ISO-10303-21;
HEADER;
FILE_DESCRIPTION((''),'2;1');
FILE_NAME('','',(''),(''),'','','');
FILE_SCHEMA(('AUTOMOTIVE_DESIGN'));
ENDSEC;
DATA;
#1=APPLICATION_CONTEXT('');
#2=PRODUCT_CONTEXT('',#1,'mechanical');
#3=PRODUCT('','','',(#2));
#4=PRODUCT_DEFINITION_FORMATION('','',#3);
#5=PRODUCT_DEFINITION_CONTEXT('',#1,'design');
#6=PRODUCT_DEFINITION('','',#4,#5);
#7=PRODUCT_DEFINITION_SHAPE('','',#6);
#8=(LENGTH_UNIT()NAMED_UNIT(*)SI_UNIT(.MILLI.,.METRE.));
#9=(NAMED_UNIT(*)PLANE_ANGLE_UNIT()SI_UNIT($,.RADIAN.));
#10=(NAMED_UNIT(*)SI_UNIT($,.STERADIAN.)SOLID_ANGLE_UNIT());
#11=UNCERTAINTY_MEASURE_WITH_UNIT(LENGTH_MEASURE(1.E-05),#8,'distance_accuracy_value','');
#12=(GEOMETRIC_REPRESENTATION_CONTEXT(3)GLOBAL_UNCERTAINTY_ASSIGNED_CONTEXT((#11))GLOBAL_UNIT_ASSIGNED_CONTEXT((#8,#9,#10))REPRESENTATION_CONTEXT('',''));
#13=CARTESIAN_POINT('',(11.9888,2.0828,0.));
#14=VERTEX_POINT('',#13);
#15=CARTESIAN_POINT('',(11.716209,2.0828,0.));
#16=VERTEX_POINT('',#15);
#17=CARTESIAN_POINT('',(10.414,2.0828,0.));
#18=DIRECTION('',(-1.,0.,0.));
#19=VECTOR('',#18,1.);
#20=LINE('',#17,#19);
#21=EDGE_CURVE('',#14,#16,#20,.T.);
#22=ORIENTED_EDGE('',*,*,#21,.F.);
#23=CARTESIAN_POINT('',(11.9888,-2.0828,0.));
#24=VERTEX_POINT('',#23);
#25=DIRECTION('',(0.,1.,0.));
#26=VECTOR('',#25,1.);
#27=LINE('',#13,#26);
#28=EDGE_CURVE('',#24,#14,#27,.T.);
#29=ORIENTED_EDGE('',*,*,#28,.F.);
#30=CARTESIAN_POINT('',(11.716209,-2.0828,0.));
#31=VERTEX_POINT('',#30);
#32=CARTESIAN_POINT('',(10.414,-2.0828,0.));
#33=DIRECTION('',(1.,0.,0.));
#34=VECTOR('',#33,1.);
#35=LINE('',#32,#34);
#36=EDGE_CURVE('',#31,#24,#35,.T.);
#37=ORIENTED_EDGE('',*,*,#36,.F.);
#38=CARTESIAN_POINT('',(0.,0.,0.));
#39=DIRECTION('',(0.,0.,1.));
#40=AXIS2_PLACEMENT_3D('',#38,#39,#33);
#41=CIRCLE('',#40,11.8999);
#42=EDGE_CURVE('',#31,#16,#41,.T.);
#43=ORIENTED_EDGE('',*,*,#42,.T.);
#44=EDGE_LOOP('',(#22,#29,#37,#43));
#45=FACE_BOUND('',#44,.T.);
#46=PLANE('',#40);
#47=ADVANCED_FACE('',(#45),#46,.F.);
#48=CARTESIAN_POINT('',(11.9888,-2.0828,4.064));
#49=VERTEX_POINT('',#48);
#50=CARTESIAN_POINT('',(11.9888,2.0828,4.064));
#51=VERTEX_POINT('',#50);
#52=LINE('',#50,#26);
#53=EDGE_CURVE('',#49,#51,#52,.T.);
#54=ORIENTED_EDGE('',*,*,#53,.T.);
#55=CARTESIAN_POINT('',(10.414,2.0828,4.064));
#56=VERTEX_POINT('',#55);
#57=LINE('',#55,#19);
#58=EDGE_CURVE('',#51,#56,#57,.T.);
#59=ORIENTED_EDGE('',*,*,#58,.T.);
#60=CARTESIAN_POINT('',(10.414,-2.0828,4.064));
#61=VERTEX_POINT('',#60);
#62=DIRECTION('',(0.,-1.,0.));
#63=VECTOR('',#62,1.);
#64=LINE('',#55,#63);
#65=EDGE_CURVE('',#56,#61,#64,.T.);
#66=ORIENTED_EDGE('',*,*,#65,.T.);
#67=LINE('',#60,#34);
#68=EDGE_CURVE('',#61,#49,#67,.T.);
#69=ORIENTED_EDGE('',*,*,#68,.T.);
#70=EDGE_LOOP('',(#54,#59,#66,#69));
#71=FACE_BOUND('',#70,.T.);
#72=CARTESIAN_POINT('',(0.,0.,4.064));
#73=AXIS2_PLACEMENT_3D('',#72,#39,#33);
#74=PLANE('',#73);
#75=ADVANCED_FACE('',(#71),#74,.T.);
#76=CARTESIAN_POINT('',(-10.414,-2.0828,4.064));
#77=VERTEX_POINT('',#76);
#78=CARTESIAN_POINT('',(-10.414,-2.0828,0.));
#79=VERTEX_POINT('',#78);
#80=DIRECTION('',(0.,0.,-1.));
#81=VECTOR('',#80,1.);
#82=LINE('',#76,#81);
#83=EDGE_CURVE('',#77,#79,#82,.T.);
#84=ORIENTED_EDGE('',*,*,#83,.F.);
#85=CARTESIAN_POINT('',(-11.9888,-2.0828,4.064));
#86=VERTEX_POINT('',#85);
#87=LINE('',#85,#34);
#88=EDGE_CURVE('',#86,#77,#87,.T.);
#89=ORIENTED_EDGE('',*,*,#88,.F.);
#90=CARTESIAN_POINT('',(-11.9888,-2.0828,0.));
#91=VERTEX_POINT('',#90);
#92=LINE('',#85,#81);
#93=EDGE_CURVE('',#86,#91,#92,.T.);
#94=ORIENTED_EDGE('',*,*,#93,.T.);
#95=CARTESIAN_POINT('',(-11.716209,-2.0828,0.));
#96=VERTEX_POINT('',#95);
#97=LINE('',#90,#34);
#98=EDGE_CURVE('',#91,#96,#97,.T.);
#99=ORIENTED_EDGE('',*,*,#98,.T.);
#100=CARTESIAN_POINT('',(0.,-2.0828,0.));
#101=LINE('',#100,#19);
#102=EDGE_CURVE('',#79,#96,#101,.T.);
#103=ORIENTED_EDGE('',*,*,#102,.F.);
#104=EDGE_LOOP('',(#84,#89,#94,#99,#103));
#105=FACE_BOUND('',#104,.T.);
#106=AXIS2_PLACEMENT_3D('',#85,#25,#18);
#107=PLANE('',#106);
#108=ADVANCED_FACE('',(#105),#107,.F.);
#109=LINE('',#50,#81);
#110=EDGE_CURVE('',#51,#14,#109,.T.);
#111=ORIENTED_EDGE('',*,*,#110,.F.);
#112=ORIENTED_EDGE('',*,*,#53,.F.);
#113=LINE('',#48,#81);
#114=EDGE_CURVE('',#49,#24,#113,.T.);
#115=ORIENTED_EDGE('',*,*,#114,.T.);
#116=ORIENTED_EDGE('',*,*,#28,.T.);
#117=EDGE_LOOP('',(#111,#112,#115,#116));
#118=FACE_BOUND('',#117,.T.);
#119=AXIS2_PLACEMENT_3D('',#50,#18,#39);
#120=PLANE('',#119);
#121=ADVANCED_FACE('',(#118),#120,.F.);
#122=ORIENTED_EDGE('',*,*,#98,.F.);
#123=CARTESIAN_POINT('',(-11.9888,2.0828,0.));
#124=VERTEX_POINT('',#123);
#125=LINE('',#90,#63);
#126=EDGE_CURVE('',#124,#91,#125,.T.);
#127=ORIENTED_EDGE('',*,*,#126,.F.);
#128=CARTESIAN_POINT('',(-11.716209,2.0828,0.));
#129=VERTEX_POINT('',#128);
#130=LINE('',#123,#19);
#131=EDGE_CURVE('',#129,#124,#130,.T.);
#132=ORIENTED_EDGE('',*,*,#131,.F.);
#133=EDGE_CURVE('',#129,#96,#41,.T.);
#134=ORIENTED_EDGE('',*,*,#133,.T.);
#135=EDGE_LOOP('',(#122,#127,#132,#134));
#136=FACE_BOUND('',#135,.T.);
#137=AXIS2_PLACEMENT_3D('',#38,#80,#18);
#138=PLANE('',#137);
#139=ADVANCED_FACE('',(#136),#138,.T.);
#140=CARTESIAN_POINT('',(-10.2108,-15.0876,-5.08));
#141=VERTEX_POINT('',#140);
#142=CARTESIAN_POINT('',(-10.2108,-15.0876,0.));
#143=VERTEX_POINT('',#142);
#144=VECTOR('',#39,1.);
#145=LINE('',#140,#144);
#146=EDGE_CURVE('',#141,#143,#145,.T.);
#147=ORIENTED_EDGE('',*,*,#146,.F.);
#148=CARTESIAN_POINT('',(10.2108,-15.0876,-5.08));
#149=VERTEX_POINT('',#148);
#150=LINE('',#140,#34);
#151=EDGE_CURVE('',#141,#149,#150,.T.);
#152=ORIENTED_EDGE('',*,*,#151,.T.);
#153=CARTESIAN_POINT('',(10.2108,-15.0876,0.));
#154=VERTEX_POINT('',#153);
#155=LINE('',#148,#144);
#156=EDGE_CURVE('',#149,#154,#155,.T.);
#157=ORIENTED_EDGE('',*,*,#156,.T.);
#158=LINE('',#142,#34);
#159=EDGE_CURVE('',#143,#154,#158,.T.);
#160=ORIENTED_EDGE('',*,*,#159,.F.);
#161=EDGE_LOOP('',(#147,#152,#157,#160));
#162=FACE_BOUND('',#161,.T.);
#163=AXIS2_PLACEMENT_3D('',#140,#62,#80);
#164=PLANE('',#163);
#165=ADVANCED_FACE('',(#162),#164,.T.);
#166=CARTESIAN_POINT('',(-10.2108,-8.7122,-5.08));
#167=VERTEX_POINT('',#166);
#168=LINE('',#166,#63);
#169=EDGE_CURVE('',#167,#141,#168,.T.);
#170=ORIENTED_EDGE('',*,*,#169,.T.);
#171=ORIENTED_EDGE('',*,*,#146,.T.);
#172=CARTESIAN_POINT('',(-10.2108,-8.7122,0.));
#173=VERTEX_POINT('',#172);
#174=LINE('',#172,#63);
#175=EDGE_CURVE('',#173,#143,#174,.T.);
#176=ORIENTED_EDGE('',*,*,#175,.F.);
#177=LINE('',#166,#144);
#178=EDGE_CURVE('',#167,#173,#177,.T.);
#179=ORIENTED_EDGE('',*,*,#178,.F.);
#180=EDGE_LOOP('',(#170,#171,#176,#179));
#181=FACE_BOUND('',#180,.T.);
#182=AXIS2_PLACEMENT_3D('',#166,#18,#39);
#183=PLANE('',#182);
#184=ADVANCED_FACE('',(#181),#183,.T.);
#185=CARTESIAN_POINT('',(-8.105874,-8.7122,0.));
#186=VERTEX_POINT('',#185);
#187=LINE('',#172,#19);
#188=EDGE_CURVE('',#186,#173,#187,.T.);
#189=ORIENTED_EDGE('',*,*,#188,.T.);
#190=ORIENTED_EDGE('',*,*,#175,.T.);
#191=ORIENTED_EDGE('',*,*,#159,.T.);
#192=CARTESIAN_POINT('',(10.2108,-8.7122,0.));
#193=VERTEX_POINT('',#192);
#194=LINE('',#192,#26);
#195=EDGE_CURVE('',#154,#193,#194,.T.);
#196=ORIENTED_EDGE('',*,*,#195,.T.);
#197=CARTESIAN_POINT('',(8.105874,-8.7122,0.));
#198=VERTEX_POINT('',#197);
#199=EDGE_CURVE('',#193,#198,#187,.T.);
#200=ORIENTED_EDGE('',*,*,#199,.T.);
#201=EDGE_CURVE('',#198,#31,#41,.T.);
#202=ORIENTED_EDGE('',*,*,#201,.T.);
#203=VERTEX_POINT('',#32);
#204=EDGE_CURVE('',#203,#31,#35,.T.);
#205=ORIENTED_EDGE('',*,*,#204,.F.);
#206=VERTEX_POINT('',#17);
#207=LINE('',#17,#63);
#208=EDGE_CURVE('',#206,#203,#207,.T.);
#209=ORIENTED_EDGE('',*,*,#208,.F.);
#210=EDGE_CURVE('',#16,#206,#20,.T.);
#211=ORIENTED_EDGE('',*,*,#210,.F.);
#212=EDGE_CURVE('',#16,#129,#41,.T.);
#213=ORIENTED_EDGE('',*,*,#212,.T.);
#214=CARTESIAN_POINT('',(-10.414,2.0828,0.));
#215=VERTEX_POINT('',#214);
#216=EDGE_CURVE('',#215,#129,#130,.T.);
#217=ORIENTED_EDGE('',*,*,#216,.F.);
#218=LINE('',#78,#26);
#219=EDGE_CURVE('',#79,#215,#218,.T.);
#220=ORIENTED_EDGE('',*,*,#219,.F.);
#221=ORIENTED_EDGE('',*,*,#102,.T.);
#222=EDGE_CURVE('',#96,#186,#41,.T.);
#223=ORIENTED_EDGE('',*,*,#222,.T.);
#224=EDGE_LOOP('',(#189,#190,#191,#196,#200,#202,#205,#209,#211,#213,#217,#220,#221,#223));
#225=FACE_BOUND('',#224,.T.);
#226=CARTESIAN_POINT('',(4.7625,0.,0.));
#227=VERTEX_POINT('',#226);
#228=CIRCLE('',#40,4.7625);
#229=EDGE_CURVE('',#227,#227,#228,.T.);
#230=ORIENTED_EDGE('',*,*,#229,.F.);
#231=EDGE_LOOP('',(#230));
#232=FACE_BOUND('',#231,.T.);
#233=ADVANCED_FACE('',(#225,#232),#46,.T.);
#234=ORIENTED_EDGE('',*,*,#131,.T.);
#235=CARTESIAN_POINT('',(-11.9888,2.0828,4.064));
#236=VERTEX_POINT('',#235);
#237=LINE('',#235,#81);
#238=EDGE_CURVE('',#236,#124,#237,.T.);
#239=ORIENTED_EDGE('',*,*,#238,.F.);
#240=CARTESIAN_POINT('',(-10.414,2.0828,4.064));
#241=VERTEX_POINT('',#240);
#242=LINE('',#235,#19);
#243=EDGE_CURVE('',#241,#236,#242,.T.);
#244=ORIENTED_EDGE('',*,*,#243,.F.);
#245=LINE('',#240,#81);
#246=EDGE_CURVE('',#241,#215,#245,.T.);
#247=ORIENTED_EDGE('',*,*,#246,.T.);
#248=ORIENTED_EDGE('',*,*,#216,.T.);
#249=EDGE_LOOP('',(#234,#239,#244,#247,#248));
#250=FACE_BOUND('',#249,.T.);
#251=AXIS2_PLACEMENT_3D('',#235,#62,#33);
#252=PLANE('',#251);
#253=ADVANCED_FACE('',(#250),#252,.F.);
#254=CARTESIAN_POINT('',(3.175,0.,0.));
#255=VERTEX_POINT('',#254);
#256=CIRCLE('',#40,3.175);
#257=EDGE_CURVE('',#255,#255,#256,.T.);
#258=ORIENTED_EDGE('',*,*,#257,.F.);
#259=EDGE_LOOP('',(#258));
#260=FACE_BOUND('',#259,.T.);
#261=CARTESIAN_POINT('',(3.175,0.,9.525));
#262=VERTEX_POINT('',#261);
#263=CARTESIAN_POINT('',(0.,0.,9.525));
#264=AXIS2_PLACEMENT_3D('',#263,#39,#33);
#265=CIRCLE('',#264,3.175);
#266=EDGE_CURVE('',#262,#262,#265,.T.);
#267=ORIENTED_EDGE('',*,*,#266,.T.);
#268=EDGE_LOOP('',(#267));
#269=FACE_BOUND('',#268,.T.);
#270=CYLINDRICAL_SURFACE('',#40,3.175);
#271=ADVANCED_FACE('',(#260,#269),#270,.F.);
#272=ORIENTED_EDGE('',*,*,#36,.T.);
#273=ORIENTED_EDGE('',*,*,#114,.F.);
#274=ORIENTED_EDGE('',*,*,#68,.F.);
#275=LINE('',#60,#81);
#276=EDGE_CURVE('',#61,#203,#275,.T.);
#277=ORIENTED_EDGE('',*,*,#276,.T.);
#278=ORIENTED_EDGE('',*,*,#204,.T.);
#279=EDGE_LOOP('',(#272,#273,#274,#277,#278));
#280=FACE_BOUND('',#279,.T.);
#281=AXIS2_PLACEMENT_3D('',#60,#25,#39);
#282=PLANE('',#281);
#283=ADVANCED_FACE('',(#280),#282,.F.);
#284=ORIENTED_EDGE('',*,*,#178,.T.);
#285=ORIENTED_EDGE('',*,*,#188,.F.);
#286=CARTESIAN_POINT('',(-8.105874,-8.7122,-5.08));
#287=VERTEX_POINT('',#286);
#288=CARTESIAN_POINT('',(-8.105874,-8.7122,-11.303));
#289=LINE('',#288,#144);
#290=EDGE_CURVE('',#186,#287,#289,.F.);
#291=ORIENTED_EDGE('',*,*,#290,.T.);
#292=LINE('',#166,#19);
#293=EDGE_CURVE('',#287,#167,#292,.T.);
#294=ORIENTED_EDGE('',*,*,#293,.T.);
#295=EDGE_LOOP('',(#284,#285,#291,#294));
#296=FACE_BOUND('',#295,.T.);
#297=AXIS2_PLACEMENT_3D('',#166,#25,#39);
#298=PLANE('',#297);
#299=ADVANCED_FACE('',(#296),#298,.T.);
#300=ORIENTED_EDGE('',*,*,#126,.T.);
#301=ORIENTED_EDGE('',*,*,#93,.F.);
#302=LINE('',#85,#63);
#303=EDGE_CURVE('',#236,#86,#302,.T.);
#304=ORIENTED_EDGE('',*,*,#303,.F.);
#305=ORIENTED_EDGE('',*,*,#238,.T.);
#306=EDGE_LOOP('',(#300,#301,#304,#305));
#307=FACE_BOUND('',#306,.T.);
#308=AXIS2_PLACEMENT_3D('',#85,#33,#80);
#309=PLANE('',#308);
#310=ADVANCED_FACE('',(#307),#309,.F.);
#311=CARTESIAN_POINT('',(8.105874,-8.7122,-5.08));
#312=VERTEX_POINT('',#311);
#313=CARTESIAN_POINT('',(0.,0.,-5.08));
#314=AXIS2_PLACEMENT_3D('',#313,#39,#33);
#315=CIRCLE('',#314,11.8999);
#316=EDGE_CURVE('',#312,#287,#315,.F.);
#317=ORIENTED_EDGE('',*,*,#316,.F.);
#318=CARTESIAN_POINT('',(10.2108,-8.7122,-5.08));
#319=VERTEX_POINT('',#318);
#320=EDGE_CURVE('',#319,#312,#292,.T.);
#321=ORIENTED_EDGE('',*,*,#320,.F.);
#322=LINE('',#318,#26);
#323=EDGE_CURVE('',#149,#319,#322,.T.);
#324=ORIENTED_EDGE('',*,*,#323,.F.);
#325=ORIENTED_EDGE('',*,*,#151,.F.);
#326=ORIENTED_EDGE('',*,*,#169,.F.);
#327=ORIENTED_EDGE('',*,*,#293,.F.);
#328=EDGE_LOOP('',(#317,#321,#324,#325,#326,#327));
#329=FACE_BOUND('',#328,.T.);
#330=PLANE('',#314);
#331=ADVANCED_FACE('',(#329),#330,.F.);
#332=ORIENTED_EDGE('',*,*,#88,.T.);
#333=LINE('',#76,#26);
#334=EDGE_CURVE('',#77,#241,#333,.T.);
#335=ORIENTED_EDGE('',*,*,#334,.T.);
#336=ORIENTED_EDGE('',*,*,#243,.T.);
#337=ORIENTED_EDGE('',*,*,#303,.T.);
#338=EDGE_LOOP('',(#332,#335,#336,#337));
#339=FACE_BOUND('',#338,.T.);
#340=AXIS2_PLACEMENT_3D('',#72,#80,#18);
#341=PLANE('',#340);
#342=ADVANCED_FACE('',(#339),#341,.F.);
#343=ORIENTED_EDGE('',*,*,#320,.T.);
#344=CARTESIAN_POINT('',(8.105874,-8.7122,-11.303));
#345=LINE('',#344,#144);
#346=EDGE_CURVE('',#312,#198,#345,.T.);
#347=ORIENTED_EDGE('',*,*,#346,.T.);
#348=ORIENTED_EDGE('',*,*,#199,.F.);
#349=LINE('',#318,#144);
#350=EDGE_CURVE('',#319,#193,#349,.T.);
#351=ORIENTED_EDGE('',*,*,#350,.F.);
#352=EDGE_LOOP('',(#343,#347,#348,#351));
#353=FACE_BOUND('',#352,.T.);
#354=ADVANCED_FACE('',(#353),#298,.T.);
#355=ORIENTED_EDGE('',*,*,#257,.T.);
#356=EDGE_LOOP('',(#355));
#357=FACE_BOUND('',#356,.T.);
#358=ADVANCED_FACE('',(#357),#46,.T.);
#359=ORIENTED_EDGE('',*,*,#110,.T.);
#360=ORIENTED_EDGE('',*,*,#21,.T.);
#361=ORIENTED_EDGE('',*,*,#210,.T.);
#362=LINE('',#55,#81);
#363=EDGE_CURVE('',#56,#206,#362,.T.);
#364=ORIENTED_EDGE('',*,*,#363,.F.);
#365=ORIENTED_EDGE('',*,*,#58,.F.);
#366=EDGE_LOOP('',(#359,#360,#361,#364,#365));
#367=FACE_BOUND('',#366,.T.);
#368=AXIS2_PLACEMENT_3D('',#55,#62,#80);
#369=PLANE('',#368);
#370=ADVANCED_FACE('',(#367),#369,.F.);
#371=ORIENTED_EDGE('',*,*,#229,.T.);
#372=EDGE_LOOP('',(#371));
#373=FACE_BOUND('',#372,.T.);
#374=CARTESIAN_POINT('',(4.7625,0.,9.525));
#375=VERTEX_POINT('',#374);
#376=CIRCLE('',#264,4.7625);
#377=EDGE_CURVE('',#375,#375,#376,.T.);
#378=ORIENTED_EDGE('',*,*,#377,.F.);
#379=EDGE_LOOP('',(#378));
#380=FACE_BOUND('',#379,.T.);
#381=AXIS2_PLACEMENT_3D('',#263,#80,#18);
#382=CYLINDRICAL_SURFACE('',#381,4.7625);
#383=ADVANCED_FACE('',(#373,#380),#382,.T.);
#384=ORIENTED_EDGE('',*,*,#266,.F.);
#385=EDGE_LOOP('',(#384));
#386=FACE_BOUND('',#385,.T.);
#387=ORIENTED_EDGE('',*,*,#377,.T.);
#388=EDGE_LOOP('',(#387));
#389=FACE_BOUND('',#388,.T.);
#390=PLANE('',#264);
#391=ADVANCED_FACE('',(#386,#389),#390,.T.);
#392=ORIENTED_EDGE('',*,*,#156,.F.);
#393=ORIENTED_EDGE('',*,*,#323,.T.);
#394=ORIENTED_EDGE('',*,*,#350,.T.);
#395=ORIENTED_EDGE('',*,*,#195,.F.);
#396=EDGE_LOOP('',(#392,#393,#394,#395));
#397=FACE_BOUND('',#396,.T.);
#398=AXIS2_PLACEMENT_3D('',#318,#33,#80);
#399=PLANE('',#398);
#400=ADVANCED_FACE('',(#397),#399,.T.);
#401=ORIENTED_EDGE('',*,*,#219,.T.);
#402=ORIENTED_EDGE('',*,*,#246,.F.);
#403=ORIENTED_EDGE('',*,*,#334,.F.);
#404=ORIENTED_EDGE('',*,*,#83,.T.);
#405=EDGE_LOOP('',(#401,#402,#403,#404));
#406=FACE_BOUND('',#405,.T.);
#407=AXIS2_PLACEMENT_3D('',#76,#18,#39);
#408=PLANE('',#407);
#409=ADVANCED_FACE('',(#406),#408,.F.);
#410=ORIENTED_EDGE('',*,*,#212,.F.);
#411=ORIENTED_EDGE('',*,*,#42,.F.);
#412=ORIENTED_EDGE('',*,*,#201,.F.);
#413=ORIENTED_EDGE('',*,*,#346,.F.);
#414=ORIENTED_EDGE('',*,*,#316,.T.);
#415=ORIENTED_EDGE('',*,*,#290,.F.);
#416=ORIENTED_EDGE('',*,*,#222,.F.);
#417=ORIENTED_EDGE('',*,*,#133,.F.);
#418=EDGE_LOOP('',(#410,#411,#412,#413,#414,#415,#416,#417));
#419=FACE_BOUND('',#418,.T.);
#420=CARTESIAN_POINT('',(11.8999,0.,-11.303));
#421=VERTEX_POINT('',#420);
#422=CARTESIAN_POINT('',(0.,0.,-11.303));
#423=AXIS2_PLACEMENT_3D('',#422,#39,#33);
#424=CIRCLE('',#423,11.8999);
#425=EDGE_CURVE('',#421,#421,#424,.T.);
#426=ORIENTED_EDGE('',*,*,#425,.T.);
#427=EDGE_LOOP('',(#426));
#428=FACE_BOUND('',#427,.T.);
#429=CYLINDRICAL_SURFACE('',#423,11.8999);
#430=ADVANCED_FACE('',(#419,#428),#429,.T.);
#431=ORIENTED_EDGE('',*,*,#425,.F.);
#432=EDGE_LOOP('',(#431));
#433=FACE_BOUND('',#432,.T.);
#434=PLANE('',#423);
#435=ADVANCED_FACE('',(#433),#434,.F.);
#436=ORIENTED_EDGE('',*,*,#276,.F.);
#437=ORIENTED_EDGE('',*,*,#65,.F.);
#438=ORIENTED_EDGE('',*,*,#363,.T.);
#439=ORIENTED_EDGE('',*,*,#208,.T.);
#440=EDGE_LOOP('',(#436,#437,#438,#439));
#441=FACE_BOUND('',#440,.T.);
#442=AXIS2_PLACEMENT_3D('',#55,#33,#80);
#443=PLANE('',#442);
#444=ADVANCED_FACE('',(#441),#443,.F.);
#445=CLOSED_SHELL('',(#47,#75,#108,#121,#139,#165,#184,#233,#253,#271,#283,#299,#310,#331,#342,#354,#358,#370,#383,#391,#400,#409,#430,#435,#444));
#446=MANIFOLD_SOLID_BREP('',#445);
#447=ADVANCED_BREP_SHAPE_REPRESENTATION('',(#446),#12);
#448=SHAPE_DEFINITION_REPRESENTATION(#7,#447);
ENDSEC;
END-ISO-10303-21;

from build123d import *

# Parameters (mm, degrees)
SKETCH1_R          = 11.8999
BODY_DEPTH         = 11.303
SKETCH2_R          = 4.7625
BUSHING_DEPTH      = 9.525
SKETCH3_W          = 1.5748
SKETCH3_H          = 4.1656
MOUNT_TAB_DEPTH    = 4.064
SKETCH4_R          = 3.175
CUT_EXTRUDE1_DEPTH = 9.525
SKETCH5_W          = 20.4216
SKETCH5_H          = 6.3754
BOARD_DEPTH        = 5.08


with BuildPart() as part:
    # Sketch1 → Body (new body)
    with BuildSketch(Plane.XY):
        Circle(SKETCH1_R)
    extrude(amount=-BODY_DEPTH)

    # Sketch2 → bushing (add)
    with BuildSketch(Plane.XY):
        Circle(SKETCH2_R)
    extrude(amount=BUSHING_DEPTH)

    # Sketch3 → mount tab (add)
    with BuildSketch(Plane.XY):
        with Locations((-11.2014, 0)):
            Rectangle(SKETCH3_W, SKETCH3_H)
        with Locations((11.2014, 0)):
            Rectangle(SKETCH3_W, SKETCH3_H)
    extrude(amount=MOUNT_TAB_DEPTH)

    # Sketch4 → Cut-Extrude1 (cut)
    with BuildSketch(Plane.XY.offset(9.525)):
        Circle(SKETCH4_R)
    extrude(amount=-CUT_EXTRUDE1_DEPTH, mode=Mode.SUBTRACT)

    # Sketch5 → board (add)
    with BuildSketch(Plane.XY):
        with Locations((0, -11.8999)):
            Rectangle(SKETCH5_W, SKETCH5_H)
    extrude(amount=-BOARD_DEPTH)


solid = part.part
